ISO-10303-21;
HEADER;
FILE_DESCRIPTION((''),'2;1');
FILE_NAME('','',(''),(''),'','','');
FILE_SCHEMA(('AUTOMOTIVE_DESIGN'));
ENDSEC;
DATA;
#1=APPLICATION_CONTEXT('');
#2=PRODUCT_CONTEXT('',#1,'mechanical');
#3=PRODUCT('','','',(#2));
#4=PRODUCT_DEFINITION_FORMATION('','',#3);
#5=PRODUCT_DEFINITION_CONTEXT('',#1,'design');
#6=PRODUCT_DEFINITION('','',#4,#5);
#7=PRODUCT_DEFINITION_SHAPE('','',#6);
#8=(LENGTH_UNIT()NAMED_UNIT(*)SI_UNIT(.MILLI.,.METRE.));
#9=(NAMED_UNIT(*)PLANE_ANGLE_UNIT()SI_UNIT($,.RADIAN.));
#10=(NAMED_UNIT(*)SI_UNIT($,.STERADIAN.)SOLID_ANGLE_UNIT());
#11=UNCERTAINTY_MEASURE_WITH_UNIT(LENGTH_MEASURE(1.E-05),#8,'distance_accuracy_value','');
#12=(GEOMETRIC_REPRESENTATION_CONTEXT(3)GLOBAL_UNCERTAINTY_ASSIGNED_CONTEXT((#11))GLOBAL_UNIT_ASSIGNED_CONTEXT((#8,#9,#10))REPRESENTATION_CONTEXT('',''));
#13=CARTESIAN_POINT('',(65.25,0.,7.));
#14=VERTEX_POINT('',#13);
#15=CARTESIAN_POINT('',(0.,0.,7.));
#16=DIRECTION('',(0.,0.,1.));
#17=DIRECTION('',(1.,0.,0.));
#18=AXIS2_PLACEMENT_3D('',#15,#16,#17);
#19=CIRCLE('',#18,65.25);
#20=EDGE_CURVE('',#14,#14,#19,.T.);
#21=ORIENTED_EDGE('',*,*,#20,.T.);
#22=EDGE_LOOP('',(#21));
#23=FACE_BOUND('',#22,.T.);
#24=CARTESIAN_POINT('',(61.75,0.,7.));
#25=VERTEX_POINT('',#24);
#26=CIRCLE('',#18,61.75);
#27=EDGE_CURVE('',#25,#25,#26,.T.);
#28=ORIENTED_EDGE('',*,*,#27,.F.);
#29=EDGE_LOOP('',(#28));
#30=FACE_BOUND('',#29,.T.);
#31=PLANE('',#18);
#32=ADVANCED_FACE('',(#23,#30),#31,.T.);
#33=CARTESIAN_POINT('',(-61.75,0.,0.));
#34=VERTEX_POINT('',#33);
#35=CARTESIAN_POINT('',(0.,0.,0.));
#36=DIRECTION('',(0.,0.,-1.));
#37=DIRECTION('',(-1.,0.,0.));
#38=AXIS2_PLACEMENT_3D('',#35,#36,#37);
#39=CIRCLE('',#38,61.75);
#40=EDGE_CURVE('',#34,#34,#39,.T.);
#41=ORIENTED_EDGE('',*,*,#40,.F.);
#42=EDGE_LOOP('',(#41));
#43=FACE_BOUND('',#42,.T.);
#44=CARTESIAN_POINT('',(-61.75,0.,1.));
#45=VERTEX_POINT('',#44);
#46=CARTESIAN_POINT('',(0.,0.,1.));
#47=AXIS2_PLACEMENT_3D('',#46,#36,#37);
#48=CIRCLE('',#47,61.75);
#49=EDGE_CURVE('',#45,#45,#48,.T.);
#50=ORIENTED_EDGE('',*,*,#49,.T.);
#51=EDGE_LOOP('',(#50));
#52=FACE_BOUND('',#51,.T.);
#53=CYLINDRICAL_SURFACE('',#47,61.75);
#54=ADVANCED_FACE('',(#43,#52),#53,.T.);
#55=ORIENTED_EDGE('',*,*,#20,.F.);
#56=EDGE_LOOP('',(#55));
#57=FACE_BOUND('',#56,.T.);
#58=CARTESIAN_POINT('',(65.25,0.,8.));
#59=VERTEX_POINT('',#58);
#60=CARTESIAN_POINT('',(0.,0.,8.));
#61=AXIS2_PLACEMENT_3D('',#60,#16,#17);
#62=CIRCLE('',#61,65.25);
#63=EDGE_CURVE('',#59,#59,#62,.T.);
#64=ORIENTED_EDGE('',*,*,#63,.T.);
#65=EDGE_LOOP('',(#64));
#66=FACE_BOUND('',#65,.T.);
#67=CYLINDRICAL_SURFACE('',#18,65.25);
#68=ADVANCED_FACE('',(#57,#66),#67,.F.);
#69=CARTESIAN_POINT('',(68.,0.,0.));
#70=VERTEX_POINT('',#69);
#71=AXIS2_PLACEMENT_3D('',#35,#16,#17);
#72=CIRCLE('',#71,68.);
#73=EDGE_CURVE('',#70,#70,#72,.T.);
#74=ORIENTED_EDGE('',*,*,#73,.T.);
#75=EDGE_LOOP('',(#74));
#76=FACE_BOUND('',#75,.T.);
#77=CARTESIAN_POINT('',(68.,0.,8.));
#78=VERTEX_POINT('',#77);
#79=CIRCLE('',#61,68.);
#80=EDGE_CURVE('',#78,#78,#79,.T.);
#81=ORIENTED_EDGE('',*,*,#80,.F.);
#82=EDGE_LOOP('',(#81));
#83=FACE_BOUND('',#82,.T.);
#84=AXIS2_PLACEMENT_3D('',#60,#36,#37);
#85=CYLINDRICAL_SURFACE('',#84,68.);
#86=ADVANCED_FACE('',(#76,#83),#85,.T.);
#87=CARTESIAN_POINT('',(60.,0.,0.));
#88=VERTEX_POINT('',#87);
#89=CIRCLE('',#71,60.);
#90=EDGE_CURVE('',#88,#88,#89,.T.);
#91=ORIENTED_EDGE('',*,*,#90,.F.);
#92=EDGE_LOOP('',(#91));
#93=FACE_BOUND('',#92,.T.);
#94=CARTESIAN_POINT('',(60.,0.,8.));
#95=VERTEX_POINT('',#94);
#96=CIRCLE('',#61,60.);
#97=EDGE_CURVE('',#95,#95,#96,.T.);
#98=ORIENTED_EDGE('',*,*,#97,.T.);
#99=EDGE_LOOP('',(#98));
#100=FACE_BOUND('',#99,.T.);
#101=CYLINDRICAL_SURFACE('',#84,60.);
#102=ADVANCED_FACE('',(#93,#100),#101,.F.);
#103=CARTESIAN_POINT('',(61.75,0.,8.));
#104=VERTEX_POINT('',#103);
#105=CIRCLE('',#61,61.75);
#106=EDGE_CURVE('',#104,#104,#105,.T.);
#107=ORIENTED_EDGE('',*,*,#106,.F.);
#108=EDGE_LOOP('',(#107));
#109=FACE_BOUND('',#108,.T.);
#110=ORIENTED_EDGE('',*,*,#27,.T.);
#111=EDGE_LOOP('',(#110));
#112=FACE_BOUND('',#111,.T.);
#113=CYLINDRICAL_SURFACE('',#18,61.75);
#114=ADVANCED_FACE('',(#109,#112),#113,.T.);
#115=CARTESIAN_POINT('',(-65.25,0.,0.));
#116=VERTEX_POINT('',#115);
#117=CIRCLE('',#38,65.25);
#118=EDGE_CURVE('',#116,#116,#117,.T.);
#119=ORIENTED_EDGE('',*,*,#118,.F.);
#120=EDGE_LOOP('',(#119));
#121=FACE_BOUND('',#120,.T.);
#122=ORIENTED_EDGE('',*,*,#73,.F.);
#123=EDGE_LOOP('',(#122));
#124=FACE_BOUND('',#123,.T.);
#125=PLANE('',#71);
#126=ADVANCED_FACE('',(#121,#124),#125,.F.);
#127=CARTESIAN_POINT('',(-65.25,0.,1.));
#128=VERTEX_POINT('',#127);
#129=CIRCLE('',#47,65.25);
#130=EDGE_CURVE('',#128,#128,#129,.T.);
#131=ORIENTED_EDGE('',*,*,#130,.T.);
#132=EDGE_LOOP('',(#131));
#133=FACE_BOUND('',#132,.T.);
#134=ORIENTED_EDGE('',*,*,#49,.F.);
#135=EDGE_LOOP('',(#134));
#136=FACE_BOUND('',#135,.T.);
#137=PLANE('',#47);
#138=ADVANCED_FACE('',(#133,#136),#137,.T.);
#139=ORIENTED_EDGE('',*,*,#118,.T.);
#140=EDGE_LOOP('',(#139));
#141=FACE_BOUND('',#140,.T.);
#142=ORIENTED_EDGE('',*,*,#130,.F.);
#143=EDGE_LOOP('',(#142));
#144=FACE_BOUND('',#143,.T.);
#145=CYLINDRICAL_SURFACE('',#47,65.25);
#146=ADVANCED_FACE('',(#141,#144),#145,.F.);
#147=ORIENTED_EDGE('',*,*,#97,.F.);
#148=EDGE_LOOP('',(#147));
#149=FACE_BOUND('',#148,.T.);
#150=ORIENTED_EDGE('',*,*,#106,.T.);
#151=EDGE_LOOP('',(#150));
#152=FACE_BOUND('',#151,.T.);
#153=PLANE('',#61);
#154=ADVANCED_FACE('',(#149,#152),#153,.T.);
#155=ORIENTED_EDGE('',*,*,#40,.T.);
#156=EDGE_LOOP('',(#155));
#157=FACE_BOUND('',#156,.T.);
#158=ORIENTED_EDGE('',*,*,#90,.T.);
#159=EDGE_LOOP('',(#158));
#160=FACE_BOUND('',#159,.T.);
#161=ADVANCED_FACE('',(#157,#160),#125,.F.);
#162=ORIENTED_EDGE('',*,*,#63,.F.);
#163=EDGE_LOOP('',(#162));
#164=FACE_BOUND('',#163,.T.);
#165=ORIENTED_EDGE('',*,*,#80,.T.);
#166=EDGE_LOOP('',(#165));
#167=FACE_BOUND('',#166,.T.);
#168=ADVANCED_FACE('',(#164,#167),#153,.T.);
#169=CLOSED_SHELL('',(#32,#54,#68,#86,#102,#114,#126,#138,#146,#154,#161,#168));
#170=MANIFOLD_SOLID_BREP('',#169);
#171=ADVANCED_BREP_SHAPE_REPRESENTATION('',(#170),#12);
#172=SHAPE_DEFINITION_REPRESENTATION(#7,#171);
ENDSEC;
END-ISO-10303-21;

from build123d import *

# Parameters (mm, degrees)
SKETCH_1_R          = 68
SKETCH_1_R_2        = 60
EXTRUDE_1_DEPTH     = 8
SKETCH_2_R          = 65.25
SKETCH_2_R_2        = 61.75
CUT_EXTRUDE_1_DEPTH = 1
CUT_EXTRUDE_START   = -1
SKETCH_3_R          = 65.25
SKETCH_3_R_2        = 61.75
CUT_EXTRUDE_2_DEPTH = 1


with BuildPart() as part:
    # 草图1 → 凸台-拉伸1 (new body)
    with BuildSketch(Plane.XY):
        Circle(SKETCH_1_R)
        Circle(SKETCH_1_R_2, mode=Mode.SUBTRACT)
    extrude(amount=EXTRUDE_1_DEPTH)

    # 草图2 → 切除-拉伸1 (cut)
    with BuildSketch(Plane.XY.offset(8)):
        Circle(SKETCH_2_R)
        Circle(SKETCH_2_R_2, mode=Mode.SUBTRACT)
    extrude(amount=-CUT_EXTRUDE_1_DEPTH, mode=Mode.SUBTRACT)

    # 草图3 → 切除-拉伸2 (cut)
    with BuildSketch(Plane(origin=(0, 0, 0), x_dir=(-1, 0, 0), z_dir=(0, 0, -1)).offset(CUT_EXTRUDE_START)):
        with Locations(Location((0, 0, 0), (0, 0, 180))):
            Circle(SKETCH_3_R)
        with Locations(Location((0, 0, 0), (0, 0, 180))):
            Circle(SKETCH_3_R_2, mode=Mode.SUBTRACT)
    extrude(amount=CUT_EXTRUDE_2_DEPTH, mode=Mode.SUBTRACT)


solid = part.part
